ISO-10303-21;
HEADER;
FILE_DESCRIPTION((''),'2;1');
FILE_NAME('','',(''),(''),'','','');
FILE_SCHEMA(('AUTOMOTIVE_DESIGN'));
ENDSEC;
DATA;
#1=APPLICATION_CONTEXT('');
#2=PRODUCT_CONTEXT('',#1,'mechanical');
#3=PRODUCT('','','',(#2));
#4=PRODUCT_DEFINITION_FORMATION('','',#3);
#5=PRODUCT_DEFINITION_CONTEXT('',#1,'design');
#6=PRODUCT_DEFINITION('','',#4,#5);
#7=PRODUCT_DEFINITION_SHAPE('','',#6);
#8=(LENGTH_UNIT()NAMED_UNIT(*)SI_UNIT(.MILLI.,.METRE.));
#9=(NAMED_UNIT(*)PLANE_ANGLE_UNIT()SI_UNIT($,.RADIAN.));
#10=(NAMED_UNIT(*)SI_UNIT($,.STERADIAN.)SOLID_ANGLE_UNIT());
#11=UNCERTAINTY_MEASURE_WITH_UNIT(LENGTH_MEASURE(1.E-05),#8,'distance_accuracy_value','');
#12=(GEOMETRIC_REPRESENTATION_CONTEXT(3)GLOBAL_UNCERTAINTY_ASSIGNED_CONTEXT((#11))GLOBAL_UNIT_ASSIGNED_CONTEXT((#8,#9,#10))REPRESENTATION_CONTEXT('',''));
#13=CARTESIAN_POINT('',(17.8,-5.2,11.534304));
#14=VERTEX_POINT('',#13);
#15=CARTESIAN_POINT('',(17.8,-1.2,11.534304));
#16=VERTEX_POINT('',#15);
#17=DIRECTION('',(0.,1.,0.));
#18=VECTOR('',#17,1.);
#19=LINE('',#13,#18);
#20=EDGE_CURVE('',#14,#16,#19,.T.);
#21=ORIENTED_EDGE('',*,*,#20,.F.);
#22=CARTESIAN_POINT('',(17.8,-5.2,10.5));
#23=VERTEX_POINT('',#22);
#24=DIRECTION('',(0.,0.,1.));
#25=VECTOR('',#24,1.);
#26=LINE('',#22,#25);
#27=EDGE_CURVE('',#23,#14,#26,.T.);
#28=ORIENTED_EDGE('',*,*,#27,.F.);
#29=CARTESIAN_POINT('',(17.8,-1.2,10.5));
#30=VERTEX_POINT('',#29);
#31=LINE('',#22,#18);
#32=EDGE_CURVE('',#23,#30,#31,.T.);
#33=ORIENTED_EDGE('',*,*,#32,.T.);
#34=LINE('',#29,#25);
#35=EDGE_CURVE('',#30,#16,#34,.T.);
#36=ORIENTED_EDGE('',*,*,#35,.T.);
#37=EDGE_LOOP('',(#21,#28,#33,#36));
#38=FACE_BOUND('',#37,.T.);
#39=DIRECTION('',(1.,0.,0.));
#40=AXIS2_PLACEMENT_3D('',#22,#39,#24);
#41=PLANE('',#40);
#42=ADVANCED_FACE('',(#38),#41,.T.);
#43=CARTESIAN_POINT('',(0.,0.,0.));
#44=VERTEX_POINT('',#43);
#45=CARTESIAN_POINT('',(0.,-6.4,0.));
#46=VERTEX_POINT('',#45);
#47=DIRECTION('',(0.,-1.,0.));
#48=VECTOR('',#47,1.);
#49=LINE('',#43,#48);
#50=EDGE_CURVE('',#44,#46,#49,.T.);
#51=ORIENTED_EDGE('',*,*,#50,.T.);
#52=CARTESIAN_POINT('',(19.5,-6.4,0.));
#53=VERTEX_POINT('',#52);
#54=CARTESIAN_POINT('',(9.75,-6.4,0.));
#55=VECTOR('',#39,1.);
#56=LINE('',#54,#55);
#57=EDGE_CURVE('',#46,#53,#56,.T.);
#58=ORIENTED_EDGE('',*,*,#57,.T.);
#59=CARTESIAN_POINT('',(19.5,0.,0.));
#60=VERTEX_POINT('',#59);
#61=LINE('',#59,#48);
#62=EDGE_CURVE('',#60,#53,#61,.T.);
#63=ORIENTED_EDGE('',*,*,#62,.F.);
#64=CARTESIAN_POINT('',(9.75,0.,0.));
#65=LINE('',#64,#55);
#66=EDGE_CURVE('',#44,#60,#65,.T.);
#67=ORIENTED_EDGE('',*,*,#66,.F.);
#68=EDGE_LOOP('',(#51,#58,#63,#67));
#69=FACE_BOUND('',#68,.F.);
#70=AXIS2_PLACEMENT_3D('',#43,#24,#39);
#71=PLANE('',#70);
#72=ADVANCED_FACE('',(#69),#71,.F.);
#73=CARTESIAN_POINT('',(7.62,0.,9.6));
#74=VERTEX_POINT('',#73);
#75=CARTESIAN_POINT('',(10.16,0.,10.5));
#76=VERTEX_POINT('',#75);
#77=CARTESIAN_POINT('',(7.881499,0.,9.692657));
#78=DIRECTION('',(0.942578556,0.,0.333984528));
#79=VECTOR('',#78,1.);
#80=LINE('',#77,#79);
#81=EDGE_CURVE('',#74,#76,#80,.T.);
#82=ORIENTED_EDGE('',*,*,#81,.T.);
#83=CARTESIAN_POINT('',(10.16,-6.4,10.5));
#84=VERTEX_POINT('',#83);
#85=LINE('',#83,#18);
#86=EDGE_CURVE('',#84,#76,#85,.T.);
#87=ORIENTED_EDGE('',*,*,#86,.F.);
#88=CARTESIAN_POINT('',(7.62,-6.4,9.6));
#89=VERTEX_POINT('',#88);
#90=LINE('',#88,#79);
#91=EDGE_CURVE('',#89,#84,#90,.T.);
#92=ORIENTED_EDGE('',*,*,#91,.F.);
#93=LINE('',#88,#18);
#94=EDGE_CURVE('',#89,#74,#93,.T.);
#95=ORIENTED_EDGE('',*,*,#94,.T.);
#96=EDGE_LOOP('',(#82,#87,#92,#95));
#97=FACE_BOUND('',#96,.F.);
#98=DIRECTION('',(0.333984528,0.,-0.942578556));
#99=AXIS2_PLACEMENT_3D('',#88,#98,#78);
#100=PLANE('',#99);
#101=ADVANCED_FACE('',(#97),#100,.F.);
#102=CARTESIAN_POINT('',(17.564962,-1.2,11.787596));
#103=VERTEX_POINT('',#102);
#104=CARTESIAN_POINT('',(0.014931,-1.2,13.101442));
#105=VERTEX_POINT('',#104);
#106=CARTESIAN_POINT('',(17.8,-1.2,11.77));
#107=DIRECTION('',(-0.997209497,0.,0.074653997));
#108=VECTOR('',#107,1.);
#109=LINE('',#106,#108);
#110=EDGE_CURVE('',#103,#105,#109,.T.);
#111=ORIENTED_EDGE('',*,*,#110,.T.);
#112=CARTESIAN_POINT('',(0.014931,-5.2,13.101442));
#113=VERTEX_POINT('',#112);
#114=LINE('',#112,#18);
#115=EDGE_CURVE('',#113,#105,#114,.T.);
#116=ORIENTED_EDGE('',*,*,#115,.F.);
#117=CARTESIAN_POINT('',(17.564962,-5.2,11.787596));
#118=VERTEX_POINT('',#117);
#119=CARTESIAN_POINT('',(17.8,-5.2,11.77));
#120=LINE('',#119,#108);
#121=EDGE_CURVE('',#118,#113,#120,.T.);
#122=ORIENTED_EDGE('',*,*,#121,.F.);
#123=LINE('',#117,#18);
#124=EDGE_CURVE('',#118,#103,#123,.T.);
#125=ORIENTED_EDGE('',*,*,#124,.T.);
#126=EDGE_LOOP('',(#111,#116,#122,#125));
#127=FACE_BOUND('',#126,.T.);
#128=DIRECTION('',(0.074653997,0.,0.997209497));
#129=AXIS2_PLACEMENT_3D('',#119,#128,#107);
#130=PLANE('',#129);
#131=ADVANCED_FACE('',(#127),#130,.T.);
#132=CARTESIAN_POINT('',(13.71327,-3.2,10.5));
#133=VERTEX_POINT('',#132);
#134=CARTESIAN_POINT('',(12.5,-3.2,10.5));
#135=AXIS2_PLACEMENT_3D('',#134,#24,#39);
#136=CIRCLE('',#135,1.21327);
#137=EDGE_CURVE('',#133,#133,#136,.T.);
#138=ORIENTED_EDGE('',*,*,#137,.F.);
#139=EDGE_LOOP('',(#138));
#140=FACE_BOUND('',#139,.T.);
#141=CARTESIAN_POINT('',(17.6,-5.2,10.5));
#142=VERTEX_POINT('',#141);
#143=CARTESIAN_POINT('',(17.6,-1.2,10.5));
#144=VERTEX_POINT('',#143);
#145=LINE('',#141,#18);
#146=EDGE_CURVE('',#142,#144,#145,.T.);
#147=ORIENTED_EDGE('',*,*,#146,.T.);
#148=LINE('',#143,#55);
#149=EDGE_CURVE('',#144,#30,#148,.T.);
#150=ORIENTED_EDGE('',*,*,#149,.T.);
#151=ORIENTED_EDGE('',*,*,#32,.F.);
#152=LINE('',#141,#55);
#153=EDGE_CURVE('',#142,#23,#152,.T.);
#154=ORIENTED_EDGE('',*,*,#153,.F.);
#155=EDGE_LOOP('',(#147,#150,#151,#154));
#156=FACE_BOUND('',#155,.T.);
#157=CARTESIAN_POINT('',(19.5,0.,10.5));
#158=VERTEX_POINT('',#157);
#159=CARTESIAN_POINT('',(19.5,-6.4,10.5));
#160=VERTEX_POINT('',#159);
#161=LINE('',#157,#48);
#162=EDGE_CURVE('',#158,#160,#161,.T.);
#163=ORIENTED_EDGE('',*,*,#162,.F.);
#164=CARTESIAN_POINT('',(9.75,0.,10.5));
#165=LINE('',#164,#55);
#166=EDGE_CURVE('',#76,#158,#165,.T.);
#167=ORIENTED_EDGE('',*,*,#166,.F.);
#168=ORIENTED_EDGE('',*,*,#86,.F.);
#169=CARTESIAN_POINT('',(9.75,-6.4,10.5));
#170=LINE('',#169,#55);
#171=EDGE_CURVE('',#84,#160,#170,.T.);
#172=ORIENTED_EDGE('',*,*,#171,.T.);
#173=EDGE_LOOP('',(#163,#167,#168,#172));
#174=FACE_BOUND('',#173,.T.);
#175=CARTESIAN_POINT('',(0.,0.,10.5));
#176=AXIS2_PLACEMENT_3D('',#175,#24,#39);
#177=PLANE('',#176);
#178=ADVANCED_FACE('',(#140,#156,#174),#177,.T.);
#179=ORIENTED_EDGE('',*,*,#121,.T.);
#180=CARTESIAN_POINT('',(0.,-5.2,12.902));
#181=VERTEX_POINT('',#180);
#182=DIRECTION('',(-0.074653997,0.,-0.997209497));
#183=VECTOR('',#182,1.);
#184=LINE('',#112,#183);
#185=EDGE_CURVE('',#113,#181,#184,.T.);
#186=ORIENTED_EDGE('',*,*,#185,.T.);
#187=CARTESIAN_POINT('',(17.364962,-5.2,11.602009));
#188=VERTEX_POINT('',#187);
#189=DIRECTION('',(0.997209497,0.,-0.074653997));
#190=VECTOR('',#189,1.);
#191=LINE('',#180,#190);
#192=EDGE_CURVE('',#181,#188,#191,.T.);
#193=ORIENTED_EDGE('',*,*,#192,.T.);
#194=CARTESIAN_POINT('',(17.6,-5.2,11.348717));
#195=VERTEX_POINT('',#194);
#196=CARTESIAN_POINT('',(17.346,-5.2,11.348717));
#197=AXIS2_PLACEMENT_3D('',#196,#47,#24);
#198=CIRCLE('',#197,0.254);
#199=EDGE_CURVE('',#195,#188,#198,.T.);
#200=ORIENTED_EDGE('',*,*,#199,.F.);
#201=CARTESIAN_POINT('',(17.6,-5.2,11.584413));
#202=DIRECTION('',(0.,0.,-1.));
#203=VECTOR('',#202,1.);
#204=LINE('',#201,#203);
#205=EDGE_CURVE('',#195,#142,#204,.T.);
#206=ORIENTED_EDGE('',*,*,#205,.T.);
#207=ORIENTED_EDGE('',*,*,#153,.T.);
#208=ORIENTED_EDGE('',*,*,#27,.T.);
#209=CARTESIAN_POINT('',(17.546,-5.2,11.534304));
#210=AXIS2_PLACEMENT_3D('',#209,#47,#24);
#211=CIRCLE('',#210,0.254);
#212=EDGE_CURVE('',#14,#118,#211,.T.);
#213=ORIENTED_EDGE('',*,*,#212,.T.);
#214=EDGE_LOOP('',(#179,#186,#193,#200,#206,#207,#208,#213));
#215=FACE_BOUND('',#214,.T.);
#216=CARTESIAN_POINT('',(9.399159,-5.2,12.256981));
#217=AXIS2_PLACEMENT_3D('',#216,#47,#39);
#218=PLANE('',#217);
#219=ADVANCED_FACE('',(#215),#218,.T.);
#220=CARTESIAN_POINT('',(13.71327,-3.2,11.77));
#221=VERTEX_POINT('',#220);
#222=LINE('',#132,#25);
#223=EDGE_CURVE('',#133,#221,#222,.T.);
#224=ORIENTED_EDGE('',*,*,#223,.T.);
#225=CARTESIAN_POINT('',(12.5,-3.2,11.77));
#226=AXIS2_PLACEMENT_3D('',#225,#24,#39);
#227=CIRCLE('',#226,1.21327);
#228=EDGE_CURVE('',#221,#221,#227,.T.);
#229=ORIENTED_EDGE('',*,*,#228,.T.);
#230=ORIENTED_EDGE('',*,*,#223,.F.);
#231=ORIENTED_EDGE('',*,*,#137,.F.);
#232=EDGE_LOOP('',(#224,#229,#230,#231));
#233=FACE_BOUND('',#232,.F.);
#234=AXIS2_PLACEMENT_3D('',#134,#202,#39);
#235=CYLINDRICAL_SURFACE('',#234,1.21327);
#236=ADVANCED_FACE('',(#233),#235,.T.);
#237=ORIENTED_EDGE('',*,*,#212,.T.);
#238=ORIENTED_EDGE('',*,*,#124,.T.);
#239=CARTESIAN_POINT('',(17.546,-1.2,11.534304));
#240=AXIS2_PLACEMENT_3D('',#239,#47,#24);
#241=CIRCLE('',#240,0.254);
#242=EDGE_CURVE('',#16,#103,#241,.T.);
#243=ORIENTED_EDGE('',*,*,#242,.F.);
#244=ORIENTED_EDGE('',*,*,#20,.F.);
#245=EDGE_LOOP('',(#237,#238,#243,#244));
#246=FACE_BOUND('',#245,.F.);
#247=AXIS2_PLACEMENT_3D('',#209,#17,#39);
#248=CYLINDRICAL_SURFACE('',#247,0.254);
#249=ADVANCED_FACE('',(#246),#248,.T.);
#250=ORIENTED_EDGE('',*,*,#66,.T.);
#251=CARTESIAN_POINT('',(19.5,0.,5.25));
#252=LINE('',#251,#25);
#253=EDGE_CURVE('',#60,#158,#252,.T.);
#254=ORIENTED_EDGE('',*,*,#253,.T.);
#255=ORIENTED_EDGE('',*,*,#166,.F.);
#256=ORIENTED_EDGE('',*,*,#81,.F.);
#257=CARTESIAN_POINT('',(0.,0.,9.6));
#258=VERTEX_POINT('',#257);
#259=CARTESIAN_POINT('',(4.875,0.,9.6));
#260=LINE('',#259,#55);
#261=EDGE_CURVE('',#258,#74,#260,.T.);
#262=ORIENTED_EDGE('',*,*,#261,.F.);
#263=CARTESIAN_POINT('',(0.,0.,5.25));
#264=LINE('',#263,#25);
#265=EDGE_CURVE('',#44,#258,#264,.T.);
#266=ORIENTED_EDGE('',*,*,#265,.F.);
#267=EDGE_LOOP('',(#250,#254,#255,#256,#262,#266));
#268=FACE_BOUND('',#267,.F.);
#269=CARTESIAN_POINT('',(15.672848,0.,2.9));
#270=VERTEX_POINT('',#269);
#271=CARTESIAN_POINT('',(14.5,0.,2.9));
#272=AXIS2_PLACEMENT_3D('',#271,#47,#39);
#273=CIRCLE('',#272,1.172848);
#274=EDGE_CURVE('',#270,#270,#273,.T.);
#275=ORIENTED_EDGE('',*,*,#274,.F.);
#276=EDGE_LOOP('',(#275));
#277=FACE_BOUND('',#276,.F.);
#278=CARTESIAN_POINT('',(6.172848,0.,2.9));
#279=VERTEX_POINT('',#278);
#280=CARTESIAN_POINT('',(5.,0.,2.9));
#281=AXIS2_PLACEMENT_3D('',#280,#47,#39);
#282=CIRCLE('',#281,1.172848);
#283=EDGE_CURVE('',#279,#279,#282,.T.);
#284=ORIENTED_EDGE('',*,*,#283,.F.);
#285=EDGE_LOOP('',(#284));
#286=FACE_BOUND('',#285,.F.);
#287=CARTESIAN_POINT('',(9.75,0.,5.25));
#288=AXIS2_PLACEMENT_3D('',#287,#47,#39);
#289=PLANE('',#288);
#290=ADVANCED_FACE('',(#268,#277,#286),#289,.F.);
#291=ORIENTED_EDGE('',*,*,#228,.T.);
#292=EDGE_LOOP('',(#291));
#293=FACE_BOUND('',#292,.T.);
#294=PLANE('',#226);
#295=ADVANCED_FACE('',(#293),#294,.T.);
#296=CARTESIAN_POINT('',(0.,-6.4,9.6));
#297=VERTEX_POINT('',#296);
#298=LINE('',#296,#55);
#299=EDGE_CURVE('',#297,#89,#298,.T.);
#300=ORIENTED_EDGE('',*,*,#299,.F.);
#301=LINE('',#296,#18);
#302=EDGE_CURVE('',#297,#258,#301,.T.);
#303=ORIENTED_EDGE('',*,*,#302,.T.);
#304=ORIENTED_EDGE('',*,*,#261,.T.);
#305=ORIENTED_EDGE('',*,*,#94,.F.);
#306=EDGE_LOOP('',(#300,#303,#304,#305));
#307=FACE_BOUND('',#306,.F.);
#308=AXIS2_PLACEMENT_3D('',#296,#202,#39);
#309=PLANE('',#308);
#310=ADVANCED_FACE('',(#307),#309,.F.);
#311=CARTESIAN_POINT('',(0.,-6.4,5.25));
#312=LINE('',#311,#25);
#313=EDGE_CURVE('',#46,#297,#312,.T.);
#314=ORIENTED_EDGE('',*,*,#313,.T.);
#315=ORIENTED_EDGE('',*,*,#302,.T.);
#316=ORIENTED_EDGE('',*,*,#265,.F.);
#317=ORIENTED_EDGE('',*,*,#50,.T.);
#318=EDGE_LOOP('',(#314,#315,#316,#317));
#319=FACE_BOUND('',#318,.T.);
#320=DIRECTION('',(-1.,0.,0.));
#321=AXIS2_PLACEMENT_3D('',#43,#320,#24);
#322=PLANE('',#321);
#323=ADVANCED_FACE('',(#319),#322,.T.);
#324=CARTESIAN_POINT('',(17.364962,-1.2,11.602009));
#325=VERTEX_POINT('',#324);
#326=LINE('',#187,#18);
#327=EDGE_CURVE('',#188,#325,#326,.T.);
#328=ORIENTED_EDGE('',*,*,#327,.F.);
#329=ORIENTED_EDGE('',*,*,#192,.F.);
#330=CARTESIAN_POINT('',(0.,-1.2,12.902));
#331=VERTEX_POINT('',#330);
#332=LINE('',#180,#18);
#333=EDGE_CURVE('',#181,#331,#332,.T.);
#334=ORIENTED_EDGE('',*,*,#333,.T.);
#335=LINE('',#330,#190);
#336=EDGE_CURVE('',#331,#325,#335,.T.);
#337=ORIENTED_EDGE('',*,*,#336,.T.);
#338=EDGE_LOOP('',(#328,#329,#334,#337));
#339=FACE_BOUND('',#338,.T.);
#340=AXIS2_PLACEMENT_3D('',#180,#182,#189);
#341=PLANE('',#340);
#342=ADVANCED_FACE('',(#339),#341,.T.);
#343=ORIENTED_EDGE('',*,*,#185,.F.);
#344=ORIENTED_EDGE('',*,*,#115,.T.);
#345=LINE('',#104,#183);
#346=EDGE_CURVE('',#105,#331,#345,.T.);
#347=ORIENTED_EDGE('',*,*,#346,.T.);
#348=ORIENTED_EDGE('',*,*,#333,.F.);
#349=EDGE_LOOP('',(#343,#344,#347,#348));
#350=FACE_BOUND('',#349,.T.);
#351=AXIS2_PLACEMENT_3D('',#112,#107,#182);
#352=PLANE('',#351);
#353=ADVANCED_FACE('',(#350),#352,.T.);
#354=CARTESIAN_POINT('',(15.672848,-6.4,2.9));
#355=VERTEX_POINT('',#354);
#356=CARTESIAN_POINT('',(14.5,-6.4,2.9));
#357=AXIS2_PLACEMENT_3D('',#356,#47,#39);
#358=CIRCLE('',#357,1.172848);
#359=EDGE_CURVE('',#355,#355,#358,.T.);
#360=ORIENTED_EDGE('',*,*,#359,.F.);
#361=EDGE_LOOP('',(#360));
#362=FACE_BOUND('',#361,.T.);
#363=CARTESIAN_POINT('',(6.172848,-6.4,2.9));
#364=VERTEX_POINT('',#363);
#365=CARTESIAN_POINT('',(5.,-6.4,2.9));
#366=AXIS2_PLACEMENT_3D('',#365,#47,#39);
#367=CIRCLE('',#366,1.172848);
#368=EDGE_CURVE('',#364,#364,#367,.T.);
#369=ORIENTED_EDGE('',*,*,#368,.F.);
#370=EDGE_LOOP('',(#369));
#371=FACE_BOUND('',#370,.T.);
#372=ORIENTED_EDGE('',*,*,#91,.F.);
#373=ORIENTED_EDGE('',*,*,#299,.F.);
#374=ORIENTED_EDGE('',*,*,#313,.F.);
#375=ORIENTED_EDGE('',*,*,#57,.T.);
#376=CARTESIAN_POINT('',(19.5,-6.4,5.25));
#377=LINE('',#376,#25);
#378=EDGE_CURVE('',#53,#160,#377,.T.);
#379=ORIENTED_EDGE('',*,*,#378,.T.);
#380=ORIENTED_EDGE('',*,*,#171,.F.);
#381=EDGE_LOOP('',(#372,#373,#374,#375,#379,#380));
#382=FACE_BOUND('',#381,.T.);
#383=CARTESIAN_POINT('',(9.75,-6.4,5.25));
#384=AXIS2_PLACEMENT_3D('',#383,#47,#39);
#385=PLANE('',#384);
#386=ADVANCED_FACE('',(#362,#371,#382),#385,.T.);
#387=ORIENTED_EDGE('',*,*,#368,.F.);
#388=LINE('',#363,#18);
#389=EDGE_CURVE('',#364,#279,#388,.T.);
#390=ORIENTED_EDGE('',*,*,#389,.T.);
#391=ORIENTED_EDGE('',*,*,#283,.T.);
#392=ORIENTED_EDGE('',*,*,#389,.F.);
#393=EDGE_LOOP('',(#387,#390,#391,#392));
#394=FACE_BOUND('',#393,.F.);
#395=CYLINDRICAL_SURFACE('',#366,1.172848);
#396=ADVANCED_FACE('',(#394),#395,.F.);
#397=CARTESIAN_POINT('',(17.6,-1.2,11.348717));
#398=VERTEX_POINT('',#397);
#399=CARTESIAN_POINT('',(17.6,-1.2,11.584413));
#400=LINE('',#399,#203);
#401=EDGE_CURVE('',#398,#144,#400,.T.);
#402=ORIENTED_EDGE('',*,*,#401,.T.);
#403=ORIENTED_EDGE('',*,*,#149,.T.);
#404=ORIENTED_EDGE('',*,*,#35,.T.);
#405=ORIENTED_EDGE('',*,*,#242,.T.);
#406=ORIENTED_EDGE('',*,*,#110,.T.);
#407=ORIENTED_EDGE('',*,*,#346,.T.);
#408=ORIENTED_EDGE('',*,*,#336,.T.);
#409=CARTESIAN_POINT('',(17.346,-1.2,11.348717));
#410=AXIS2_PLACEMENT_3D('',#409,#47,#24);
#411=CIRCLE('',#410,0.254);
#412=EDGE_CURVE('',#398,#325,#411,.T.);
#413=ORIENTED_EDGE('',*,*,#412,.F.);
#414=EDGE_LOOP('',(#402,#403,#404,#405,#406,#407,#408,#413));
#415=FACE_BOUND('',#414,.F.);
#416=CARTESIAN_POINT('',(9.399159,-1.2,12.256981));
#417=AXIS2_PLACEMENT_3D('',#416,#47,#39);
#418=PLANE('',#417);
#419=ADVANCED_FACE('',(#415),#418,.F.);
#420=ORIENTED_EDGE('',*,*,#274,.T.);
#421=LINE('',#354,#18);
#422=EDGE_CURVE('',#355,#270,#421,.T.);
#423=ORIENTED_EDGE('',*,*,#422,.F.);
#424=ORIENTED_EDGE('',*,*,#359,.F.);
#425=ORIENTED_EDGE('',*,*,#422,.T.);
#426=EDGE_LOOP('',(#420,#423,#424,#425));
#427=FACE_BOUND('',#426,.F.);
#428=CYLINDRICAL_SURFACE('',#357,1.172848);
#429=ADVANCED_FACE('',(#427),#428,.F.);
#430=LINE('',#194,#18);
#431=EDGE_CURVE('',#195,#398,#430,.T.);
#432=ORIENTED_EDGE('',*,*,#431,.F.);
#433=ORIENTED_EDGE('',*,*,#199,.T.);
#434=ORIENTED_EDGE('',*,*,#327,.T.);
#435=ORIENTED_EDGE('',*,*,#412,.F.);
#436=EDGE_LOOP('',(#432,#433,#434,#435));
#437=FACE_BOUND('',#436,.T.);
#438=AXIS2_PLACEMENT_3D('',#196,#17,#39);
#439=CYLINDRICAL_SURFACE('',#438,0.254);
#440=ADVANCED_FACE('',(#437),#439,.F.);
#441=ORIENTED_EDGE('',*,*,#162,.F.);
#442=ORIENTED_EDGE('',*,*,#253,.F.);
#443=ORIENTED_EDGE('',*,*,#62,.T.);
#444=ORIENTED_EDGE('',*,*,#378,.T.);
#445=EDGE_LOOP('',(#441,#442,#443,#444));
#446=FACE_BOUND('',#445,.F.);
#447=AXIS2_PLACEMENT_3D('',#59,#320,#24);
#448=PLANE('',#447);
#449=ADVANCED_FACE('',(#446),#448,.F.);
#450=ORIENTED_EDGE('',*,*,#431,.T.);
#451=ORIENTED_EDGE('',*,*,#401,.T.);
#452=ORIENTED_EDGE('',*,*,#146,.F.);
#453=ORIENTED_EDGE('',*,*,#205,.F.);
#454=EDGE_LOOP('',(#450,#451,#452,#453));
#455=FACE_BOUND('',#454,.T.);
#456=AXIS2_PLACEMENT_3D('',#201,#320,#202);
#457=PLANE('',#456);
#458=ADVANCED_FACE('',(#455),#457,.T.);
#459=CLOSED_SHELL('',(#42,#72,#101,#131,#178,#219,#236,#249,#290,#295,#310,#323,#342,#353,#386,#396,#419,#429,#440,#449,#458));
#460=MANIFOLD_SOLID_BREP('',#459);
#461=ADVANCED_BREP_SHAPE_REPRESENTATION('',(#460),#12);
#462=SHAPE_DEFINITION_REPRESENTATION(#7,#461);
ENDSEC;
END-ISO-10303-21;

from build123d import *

# Parameters (mm, degrees)
F0_W      = 19.5
F0_H      = 10.5
F1_DEPTH  = 6.4
F2_R      = 1.1728484487
F3_DEPTH  = 25.4
F5_DEPTH  = 25.4
F6_R      = 1.2132701797
F7_DEPTH  = 1.27
F10_DEPTH = 4
F11_R     = 0.254


with BuildPart() as f1:
    # F0 (on Front) → F1 (new body)
    with BuildSketch(Plane.XZ):
        with Locations((9.75, 5.25)):
            Rectangle(F0_W, F0_H)
    extrude(amount=F1_DEPTH)

    # F2 (on face) → F3 (cut)
    with BuildSketch(Plane.XZ.offset(6.4)):
        with Locations((5, 2.9)):
            Circle(F2_R)
        with Locations((14.5, 2.9)):
            Circle(F2_R)
    extrude(amount=-F3_DEPTH, mode=Mode.SUBTRACT)

    # F4 (on face) → F5 (cut)
    with BuildSketch(Plane.XZ.offset(6.4)):
        Polygon((10.16, 10.5), (0, 10.5), (0, 9.6), (7.62, 9.6), align=None)
    extrude(amount=-F5_DEPTH, mode=Mode.SUBTRACT)

    # F6 (on face) → F7 (join)
    with BuildSketch(Plane.XY.offset(10.5)):
        with Locations((12.5, -3.2)):
            Circle(F6_R)
    extrude(amount=F7_DEPTH)

    # F9 (on offset) → F10 (join)
    with BuildSketch(Plane.XZ.offset(5.2)):
        Polygon((17.6, 11.5844129181), (17.6, 10.5), (17.8, 10.5), (17.8, 11.77), (0.0149307994, 13.1014418994), (0, 12.902), align=None)
    extrude(amount=-F10_DEPTH)

    # F11
    f11_edges = [f1.edges().sort_by_distance(p)[0] for p in [
        (17.8, -3.2, 11.77),
        (17.6, -3.2, 11.584413),
    ]]
    fillet(f11_edges, radius=F11_R)


solid = f1.part
